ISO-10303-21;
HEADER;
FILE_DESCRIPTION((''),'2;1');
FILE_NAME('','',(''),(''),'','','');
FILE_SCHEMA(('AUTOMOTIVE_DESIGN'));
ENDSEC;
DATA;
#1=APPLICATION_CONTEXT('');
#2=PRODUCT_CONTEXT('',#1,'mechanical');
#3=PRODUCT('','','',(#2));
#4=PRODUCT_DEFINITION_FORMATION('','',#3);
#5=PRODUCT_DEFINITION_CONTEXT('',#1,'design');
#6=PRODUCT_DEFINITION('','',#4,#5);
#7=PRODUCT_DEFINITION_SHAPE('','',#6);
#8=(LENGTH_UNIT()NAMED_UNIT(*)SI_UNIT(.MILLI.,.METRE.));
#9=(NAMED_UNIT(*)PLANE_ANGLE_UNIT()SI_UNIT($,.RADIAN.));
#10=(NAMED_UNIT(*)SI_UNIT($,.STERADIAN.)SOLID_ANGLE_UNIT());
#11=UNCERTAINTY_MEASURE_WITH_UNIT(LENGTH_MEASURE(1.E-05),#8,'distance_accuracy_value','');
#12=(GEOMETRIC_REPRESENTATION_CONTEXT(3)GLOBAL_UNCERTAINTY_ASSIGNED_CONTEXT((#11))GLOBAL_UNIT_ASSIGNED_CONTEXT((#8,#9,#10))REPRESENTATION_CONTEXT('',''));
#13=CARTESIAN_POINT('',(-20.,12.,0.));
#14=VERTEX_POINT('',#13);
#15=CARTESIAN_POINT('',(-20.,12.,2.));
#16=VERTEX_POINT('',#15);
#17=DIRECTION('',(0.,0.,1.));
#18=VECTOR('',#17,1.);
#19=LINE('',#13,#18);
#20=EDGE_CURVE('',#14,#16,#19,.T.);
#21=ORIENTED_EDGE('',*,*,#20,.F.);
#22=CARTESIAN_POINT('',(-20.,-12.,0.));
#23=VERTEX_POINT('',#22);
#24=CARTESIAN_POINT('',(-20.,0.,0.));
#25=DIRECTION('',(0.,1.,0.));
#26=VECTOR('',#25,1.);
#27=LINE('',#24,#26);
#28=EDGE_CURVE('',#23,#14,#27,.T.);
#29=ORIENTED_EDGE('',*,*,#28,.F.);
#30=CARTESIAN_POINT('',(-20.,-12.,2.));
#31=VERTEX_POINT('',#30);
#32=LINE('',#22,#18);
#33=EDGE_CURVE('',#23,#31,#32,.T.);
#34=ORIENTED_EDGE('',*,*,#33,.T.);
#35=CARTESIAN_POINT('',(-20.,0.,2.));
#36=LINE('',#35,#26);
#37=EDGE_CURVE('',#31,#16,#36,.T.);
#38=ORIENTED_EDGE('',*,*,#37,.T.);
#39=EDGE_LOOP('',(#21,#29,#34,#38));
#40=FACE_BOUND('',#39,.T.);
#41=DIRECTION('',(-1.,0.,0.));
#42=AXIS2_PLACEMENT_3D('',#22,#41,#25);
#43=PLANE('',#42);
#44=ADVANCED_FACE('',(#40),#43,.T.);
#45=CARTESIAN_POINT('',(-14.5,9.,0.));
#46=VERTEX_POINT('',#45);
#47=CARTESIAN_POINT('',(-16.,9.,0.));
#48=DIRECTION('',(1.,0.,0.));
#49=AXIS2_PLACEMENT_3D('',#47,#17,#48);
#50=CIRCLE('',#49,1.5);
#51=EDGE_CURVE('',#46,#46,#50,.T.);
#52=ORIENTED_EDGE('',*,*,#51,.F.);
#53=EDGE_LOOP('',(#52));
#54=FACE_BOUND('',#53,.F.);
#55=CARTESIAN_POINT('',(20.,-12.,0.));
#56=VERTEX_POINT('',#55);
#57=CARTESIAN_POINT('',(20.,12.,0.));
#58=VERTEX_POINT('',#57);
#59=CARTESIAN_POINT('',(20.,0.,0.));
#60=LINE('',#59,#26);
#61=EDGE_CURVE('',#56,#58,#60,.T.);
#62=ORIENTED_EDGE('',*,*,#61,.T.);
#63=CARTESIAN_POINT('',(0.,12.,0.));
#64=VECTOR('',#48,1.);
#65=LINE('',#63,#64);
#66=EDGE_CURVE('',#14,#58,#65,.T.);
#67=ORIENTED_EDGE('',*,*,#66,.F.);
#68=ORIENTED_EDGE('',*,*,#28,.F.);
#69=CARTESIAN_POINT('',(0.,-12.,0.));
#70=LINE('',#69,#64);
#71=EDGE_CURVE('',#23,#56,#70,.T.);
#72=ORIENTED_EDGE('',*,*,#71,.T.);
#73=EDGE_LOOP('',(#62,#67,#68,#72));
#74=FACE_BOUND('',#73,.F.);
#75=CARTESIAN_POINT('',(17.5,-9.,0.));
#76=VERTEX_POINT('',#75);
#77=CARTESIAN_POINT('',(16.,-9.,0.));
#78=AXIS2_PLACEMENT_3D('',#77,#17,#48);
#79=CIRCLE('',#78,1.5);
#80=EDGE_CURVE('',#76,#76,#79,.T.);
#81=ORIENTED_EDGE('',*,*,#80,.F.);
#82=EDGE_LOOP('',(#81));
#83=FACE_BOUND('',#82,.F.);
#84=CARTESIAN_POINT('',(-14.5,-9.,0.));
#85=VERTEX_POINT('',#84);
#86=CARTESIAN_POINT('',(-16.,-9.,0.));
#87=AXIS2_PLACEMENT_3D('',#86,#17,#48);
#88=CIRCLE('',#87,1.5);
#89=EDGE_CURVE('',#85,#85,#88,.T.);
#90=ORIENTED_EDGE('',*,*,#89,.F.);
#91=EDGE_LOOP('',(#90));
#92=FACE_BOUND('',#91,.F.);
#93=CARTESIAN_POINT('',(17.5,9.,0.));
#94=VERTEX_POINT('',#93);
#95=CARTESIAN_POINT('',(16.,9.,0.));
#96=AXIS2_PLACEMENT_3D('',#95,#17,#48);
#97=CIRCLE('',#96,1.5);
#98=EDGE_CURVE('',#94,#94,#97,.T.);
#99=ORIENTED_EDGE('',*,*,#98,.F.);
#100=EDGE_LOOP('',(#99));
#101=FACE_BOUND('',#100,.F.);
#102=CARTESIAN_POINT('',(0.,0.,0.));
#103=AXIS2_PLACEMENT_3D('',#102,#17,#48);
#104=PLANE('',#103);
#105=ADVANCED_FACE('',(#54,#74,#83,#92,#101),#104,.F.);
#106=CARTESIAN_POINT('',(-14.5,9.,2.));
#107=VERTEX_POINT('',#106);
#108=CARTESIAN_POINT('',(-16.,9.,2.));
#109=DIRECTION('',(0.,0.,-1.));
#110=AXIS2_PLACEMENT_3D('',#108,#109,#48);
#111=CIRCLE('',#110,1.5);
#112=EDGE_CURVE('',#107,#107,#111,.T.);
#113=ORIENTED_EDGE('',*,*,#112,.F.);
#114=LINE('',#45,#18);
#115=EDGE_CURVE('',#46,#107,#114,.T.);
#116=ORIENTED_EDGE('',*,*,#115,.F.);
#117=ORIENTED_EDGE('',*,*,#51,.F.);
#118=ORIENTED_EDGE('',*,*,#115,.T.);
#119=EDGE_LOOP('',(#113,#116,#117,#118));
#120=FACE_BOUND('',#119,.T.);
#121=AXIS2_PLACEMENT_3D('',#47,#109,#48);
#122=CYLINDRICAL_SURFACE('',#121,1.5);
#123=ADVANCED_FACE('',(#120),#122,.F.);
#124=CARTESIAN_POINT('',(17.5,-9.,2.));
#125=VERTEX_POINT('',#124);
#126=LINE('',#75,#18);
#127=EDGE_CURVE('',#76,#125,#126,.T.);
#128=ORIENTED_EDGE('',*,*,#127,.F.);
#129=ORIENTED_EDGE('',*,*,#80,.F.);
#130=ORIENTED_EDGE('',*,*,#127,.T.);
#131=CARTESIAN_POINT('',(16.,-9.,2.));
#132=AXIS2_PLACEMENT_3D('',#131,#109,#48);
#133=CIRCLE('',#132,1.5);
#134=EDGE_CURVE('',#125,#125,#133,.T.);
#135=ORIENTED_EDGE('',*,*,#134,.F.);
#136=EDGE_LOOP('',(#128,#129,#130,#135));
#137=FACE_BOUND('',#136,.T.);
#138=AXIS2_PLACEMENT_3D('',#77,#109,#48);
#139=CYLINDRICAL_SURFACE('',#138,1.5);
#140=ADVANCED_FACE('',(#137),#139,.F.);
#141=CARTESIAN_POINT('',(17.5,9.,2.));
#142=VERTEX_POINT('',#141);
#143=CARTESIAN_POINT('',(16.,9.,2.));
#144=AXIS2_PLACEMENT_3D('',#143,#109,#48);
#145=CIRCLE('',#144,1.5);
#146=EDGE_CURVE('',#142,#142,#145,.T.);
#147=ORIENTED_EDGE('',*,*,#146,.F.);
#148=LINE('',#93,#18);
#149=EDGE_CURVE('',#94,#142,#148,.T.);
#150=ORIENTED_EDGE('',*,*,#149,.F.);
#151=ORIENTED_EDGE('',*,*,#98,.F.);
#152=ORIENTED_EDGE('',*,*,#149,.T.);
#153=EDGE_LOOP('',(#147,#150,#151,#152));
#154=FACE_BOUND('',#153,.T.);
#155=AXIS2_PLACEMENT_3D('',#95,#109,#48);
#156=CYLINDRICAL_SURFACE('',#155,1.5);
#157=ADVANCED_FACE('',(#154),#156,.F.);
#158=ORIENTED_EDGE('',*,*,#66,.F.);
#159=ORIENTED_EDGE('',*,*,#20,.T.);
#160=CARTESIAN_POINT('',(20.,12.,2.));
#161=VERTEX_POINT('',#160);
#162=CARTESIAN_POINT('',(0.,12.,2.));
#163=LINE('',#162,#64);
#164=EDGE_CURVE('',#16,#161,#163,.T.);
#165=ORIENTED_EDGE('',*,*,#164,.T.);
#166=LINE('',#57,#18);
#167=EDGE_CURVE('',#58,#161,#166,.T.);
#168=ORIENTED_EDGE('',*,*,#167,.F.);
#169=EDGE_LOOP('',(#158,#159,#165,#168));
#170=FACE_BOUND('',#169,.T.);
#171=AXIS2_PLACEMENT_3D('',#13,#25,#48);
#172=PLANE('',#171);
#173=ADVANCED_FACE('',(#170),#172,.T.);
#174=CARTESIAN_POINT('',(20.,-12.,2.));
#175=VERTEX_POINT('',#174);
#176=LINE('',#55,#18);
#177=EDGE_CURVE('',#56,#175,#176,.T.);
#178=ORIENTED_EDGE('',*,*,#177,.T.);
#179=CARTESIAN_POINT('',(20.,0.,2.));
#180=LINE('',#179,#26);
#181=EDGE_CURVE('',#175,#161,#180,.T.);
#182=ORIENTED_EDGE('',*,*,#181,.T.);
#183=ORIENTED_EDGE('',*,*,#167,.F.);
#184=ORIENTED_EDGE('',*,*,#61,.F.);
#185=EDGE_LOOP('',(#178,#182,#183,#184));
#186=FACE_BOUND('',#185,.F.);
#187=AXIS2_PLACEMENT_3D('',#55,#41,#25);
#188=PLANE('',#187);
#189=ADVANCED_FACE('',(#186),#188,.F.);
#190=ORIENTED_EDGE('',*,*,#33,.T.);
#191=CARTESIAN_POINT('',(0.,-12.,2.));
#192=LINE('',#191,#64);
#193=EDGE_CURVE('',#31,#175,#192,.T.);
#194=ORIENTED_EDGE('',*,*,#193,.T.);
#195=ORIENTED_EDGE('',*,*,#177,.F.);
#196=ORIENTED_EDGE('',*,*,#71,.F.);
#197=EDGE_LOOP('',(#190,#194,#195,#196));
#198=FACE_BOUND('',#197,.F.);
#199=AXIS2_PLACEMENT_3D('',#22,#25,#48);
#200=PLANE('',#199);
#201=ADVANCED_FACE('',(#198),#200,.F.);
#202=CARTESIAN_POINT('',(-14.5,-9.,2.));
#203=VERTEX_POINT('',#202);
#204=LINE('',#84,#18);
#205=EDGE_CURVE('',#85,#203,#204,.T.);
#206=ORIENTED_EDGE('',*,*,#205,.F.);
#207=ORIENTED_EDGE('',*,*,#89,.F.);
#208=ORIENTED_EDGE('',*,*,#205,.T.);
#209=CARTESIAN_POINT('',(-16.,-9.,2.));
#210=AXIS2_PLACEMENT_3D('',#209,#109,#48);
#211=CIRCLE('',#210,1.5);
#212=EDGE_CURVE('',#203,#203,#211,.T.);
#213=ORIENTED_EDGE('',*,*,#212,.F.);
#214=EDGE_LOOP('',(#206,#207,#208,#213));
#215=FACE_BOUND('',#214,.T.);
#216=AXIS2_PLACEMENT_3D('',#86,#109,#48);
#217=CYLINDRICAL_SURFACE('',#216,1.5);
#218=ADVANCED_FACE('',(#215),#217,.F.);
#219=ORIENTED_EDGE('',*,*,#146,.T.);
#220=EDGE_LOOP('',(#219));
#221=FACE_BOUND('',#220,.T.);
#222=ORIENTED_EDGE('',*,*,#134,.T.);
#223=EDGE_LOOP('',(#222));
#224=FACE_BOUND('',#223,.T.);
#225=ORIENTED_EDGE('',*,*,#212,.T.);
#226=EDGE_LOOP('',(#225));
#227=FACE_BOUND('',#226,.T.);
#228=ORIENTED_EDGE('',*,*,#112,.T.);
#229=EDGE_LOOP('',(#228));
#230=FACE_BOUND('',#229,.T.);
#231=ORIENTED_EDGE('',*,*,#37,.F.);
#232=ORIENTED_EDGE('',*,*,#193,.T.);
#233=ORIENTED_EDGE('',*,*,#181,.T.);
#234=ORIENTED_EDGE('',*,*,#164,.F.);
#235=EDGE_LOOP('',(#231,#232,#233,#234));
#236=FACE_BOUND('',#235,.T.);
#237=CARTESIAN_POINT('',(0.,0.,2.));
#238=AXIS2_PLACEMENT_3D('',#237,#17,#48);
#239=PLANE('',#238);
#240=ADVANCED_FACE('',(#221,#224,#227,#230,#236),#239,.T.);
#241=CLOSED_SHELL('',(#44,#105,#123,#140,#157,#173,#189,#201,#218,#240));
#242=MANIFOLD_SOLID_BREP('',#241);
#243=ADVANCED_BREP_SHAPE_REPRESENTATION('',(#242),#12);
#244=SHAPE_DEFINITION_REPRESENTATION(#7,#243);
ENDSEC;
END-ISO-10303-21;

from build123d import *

# Parameters (mm, degrees)
F0_W     = 40
F0_H     = 24
F1_DEPTH = 2
F2_R     = 1.5
F3_DEPTH = 25


with BuildPart() as f1:
    # F0 (on Top) → F1 (new body)
    with BuildSketch(Plane.XY):
        Rectangle(F0_W, F0_H)
    extrude(amount=F1_DEPTH)

    # F2 (on Top) → F3 (cut)
    with BuildSketch(Plane.XY):
        with Locations((-16, -9)):
            Circle(F2_R)
        with Locations((16, -9)):
            Circle(F2_R)
        with Locations((16, 9)):
            Circle(F2_R)
        with Locations((-16, 9)):
            Circle(F2_R)
    extrude(amount=F3_DEPTH, mode=Mode.SUBTRACT)


solid = f1.part
